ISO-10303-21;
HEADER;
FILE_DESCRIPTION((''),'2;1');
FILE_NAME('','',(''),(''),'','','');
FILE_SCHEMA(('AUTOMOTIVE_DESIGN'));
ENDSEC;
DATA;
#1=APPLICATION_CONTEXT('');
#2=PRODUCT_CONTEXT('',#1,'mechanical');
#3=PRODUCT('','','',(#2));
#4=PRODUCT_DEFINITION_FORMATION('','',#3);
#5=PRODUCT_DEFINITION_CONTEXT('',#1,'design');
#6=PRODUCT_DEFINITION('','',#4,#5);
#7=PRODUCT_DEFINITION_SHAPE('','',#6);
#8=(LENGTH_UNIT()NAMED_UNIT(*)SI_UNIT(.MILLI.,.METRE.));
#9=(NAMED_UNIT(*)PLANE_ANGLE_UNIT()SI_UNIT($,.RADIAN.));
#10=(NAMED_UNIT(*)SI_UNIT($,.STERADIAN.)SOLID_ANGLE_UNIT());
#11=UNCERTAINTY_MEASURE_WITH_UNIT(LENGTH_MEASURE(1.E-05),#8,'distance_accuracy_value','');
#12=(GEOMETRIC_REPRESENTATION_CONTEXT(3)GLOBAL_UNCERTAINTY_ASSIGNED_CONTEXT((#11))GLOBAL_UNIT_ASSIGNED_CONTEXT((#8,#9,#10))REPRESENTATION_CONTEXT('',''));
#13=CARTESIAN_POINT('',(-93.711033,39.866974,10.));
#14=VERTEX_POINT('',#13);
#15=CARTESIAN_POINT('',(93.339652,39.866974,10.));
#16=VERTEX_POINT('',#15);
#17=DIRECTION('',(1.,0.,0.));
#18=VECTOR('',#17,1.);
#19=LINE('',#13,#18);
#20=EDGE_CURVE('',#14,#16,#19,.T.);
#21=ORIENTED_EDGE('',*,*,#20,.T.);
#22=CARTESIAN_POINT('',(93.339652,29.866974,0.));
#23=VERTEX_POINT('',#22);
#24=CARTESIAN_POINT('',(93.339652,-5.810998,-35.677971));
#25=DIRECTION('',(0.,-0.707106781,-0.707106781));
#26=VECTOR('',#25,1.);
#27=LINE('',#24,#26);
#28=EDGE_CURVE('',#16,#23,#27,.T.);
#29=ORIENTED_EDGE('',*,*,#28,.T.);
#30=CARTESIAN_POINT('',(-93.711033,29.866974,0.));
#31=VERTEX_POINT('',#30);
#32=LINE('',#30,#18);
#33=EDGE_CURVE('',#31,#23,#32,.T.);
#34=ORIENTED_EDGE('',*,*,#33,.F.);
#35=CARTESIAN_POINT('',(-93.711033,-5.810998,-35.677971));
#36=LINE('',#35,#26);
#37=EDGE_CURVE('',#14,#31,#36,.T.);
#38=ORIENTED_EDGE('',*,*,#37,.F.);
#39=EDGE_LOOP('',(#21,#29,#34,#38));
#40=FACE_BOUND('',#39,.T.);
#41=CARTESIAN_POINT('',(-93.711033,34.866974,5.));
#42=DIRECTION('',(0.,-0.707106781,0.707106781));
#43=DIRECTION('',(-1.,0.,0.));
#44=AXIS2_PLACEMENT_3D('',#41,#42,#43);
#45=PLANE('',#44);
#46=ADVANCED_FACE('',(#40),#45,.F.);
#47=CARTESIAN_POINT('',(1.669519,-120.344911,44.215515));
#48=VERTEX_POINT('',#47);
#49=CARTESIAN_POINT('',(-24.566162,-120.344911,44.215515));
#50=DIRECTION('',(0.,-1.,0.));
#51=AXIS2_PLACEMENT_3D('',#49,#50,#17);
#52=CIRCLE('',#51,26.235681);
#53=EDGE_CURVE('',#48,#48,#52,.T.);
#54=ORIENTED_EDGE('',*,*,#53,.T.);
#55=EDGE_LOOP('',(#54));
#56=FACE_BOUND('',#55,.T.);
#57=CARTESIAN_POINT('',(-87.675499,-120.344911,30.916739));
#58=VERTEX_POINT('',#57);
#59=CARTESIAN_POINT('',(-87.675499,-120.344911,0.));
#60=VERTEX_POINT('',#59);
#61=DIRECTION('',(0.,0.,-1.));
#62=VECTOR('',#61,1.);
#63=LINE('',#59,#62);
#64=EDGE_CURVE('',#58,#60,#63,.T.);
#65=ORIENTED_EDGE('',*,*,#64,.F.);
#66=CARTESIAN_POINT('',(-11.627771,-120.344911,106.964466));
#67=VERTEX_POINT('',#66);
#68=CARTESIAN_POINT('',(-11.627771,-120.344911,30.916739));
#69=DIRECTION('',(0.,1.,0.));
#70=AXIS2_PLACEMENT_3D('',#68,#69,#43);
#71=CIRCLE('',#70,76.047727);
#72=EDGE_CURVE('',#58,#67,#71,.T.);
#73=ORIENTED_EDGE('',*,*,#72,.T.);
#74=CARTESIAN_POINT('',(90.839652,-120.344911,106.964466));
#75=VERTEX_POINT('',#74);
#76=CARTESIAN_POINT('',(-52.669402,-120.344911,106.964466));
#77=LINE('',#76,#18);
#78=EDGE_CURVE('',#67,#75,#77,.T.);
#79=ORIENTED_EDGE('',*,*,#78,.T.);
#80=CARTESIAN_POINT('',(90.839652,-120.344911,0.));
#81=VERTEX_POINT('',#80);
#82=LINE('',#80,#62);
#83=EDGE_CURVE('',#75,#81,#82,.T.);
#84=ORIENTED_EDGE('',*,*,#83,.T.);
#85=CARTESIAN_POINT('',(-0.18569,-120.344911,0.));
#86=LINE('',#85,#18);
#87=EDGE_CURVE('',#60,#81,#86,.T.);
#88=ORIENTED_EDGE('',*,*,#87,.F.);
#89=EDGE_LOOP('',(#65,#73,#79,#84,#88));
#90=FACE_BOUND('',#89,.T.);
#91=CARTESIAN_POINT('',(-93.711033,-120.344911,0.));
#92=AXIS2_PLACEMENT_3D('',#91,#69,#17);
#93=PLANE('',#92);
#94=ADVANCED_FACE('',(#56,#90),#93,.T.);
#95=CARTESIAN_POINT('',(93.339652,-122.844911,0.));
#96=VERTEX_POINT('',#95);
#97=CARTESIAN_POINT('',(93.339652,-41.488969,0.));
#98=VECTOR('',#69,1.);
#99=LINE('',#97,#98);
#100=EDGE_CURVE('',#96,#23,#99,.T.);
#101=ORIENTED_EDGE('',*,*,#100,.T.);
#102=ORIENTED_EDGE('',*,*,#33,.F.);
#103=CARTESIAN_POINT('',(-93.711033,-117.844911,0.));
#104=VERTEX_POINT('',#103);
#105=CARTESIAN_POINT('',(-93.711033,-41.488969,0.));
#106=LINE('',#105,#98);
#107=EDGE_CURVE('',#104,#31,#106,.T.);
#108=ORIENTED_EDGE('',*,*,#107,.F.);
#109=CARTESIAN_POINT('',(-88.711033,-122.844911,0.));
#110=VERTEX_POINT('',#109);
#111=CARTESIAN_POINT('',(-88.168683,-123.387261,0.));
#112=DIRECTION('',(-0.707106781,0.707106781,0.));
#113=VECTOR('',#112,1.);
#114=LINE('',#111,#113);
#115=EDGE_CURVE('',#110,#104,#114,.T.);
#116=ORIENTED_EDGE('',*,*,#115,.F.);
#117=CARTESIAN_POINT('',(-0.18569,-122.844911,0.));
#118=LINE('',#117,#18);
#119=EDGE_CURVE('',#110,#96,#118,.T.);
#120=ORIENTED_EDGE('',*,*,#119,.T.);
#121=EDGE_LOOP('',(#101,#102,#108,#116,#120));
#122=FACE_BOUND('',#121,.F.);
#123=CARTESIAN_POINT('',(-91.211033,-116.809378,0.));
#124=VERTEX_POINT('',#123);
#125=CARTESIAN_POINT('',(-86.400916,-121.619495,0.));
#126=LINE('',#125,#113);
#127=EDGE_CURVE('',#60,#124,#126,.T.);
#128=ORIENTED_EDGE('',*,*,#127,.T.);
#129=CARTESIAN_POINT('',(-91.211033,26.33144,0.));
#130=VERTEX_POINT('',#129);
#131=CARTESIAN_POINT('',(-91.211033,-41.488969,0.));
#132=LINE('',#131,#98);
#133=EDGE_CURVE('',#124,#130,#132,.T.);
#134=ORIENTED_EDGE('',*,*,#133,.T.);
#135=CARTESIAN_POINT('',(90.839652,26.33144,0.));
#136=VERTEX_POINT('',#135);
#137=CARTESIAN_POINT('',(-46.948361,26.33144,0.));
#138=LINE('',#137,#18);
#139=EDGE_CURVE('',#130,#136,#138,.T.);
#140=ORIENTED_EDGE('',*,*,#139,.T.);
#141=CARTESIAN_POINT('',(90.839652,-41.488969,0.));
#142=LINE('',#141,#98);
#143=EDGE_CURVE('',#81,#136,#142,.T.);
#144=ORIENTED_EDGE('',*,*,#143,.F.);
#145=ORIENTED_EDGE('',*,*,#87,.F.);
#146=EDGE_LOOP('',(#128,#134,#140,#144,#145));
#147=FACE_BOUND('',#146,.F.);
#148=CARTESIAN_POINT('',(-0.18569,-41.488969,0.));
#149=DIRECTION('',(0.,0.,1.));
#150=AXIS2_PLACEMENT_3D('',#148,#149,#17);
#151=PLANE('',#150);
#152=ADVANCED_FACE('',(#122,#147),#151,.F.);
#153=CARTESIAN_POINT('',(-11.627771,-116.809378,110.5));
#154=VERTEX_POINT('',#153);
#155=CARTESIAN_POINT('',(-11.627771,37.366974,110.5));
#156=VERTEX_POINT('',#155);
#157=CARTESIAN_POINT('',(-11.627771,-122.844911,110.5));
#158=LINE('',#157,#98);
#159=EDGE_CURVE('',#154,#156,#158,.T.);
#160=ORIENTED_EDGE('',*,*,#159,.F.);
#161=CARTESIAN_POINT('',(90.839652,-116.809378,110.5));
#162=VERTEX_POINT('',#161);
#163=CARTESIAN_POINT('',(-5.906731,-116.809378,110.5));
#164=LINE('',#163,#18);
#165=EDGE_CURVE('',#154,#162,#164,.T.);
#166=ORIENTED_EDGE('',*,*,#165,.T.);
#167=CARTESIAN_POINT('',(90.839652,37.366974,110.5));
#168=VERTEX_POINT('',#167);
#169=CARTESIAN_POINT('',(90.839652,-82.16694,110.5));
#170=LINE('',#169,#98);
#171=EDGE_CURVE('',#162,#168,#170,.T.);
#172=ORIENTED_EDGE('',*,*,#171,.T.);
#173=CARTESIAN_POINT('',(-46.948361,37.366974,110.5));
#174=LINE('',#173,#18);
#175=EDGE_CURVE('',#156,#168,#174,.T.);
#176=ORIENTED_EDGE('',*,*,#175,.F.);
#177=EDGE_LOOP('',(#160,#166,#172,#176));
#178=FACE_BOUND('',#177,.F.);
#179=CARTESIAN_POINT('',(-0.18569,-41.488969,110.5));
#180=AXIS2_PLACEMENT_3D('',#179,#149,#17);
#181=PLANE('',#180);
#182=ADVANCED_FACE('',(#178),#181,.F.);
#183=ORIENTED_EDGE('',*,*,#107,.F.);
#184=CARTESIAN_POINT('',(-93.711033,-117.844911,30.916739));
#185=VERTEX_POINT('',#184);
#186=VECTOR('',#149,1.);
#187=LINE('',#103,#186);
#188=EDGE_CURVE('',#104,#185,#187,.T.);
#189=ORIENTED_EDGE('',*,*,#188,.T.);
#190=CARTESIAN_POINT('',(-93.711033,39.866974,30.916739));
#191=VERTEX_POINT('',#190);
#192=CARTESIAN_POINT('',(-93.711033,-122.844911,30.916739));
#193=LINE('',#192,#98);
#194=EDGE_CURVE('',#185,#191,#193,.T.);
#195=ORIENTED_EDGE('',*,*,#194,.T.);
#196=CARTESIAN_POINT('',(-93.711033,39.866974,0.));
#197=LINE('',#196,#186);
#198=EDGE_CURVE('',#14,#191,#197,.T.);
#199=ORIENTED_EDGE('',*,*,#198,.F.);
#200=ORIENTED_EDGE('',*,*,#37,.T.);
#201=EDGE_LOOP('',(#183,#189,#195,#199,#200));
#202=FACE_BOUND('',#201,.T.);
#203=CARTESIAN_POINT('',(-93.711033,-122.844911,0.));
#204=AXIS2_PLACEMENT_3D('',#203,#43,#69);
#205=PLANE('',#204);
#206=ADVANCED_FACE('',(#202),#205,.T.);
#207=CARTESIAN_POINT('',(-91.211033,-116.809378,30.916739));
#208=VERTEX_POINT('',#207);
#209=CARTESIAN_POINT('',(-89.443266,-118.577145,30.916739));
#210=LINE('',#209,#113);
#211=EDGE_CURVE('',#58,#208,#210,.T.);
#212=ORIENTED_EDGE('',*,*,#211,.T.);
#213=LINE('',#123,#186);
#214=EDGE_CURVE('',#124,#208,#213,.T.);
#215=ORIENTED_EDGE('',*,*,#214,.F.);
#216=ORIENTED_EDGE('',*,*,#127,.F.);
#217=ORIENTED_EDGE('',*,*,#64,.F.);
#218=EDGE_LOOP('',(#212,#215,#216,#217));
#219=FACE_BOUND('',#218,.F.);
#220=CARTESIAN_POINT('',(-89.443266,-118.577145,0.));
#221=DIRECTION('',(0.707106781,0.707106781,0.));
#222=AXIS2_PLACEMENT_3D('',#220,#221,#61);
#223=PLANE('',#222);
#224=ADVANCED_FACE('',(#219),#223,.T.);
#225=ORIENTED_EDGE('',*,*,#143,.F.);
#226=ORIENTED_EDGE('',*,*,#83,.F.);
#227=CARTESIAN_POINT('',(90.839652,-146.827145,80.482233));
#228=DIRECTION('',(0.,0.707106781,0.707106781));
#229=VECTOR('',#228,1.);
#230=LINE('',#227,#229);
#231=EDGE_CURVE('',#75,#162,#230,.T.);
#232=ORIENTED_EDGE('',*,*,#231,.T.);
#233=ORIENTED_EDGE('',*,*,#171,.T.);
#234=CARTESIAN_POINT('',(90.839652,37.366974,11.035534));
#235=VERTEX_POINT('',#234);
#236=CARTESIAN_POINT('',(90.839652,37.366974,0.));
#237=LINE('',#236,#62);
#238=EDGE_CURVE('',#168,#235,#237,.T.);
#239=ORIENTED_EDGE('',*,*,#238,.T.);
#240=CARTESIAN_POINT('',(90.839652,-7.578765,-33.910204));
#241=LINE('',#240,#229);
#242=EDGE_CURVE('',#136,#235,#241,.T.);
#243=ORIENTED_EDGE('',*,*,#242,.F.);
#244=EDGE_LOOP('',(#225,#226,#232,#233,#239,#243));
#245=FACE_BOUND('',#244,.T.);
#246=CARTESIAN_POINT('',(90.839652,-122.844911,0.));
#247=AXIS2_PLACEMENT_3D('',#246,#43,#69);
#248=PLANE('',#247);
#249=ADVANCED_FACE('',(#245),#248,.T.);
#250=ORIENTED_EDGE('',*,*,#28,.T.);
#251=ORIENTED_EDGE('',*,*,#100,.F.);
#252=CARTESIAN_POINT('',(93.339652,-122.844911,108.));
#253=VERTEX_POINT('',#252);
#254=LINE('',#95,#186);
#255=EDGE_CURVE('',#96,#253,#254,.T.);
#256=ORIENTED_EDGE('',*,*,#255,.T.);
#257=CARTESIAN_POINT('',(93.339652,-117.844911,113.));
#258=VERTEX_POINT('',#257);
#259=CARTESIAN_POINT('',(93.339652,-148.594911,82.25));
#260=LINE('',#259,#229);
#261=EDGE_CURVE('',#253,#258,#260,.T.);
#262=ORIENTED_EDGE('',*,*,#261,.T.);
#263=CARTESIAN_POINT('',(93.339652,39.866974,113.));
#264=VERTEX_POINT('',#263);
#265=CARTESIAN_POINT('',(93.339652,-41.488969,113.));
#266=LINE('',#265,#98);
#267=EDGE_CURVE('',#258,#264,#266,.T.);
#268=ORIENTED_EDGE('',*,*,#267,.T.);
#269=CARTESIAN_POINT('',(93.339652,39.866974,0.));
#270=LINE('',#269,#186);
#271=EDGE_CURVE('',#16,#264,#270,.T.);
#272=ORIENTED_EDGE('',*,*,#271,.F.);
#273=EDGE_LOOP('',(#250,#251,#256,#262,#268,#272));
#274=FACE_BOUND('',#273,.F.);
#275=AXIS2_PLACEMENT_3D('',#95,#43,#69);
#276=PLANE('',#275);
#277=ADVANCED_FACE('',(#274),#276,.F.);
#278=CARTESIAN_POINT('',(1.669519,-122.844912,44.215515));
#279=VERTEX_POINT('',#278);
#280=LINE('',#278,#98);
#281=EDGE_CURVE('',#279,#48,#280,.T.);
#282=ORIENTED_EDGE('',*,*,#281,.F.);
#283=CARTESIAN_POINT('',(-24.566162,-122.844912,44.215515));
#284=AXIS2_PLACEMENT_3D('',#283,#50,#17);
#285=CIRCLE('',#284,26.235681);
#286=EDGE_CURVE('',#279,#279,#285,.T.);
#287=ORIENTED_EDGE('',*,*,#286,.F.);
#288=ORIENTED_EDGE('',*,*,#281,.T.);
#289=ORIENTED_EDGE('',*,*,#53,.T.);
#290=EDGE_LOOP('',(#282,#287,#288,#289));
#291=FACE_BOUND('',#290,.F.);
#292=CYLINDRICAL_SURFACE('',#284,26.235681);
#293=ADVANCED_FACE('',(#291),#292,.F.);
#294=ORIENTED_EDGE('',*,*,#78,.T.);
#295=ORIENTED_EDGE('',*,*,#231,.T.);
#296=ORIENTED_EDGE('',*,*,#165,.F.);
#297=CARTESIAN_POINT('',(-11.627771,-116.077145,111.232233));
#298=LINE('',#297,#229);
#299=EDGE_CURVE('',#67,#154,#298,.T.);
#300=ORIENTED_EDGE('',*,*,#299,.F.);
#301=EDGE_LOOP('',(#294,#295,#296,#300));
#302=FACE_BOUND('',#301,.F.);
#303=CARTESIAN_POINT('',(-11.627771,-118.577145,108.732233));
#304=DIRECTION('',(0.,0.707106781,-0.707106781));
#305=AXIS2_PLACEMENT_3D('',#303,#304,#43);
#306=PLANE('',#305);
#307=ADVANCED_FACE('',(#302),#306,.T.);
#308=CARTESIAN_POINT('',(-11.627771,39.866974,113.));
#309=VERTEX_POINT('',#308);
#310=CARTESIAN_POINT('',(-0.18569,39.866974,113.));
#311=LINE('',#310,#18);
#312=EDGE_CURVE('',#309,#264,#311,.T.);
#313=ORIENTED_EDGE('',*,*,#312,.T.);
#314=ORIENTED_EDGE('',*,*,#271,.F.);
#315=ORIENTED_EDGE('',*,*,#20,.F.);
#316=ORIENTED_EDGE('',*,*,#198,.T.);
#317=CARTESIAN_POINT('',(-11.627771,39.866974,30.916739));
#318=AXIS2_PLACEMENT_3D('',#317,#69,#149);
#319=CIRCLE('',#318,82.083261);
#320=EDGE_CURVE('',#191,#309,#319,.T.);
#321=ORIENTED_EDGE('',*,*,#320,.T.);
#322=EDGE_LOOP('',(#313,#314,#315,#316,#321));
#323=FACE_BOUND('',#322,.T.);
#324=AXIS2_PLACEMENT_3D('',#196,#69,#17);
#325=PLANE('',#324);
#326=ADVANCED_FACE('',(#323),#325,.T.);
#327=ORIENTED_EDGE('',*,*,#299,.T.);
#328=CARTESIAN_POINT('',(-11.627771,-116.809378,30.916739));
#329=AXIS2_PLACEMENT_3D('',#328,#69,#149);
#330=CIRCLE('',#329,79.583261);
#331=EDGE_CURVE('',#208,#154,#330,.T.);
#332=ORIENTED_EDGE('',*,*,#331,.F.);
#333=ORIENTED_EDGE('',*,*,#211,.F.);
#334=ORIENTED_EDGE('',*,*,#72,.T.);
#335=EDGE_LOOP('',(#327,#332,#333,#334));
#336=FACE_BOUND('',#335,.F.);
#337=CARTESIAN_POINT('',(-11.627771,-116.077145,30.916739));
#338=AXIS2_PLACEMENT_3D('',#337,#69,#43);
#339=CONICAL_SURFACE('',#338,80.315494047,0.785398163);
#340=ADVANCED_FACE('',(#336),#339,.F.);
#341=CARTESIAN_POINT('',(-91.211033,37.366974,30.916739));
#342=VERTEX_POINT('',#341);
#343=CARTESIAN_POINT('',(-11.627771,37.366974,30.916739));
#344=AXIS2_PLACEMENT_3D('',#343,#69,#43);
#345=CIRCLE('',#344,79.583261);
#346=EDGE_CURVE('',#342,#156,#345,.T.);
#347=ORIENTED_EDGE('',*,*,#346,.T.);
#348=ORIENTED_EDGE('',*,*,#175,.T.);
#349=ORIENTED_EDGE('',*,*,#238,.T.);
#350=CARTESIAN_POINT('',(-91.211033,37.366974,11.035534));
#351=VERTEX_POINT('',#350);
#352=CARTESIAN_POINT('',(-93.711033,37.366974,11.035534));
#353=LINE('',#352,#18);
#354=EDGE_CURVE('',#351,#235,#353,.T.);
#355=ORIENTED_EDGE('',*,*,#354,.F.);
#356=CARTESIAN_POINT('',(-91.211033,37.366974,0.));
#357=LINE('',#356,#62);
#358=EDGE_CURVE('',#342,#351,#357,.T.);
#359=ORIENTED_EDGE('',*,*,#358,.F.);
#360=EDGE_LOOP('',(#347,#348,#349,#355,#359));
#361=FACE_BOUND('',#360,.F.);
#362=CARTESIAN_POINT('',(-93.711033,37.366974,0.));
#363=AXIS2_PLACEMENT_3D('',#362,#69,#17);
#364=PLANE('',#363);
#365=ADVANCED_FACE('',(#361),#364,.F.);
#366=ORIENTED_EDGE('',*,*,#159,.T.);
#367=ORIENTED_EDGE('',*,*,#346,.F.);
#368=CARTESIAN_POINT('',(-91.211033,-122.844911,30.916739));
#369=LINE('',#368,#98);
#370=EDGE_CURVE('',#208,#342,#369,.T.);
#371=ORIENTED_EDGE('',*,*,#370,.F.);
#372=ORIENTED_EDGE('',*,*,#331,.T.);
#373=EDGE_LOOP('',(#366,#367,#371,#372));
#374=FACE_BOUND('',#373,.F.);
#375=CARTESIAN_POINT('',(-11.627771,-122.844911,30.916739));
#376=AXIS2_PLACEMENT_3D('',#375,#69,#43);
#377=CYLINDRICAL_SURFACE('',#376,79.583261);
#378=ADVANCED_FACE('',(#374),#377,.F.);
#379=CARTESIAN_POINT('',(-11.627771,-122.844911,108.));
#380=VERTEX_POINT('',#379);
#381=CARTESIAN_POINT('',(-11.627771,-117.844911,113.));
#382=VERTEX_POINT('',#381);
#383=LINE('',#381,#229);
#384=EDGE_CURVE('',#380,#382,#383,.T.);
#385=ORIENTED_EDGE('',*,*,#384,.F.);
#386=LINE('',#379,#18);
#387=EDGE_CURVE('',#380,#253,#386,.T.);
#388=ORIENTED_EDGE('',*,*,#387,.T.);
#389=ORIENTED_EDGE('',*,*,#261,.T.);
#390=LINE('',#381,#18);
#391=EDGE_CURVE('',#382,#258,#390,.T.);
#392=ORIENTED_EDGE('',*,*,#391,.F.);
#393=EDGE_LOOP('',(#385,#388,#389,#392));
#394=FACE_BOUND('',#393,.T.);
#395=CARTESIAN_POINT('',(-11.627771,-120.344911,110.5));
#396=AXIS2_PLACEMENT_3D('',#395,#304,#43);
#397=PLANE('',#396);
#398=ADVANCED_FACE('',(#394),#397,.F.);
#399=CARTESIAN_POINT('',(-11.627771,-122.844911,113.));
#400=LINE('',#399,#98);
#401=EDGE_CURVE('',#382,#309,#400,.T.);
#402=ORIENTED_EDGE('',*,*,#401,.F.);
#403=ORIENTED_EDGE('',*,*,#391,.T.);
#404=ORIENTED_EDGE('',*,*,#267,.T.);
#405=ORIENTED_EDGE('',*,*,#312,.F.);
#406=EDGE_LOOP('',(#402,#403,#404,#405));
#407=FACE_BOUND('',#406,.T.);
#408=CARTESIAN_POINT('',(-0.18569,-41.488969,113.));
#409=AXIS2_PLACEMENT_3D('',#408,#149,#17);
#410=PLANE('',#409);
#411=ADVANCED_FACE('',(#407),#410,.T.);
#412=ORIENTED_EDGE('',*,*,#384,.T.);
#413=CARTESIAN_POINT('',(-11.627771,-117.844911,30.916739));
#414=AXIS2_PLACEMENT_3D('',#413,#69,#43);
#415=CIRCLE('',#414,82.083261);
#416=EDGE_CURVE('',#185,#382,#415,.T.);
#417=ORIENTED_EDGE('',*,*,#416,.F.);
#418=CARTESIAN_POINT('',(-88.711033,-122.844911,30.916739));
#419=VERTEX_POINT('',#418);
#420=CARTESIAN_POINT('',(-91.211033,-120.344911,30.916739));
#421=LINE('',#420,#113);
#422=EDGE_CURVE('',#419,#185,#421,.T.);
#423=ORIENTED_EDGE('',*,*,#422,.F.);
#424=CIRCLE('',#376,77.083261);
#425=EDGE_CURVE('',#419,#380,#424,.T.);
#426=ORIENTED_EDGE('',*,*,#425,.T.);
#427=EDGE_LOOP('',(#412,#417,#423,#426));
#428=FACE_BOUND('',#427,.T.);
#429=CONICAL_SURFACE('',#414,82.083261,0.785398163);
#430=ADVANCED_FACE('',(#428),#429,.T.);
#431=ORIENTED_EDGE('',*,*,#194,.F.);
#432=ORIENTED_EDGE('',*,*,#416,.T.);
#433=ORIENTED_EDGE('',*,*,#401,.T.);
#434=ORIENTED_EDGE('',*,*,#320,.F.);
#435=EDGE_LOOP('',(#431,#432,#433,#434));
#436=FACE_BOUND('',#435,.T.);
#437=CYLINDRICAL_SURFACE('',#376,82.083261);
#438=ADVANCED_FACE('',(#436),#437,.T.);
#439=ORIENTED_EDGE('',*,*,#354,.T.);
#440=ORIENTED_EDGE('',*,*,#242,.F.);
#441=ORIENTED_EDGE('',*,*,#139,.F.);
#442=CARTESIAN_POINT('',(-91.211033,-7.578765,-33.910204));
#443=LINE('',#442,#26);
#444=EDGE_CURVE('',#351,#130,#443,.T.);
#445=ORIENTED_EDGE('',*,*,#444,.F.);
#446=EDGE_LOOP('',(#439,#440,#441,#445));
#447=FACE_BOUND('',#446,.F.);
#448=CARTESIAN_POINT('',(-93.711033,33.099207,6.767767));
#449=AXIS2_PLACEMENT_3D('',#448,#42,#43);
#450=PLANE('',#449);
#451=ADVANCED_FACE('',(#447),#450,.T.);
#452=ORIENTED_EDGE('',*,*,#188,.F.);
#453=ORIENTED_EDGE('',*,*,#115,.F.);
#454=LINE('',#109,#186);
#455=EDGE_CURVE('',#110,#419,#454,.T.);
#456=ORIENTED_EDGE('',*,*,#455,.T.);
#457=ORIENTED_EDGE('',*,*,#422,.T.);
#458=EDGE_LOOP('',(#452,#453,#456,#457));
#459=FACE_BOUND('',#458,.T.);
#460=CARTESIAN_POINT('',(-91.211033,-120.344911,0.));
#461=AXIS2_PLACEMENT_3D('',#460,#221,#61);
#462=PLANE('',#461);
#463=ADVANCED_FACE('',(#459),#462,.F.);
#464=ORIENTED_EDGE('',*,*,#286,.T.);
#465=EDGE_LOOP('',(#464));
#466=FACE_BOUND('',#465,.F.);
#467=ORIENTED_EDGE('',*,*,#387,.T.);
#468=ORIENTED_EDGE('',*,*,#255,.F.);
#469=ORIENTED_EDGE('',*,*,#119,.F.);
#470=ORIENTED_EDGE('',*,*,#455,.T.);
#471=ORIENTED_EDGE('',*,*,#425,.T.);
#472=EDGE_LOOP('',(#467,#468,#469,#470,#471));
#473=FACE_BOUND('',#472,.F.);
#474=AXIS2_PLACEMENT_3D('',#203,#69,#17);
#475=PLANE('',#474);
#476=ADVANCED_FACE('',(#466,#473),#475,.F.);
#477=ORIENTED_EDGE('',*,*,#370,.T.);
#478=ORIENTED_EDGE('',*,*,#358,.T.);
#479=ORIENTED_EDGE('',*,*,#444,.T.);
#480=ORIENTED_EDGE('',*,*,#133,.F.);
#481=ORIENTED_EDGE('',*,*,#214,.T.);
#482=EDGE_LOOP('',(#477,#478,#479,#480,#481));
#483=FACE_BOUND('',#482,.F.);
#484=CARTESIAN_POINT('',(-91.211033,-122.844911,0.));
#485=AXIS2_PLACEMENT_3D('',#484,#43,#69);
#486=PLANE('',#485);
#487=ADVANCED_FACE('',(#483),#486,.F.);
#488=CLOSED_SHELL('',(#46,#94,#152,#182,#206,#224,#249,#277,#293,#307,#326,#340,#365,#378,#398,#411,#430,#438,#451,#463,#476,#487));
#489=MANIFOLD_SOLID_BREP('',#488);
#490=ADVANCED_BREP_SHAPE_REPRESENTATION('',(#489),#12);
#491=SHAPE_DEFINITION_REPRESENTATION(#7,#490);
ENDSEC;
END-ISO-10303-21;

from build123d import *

# Parameters (mm, degrees)
F0_W     = 187.050685
F0_H     = 162.711885
F1_DEPTH = 113
F2_R     = 82.083261
F3_SIZE  = 5
F4_SIZE  = 10
F5_T     = -2.5
F6_R     = 26.235681
F7_DEPTH = 78


with BuildPart() as f1:
    # F0 (on Top) → F1 (new body)
    with BuildSketch(Plane.XY):
        with Locations((-0.18569, -41.488969)):
            Rectangle(F0_W, F0_H)
    extrude(amount=F1_DEPTH)

    # F2
    f2_edges = [f1.edges().sort_by_distance(p)[0] for p in [
        (-93.711033, -41.48897, 113),
    ]]
    fillet(f2_edges, radius=F2_R)

    # F3
    f3_edges = [f1.edges().sort_by_distance(p)[0] for p in [
        (40.85594, -122.844912, 113),
    ]]
    chamfer(f3_edges, length=F3_SIZE)

    # F4
    f4_edges = [f1.edges().sort_by_distance(p)[0] for p in [
        (-0.185691, 39.866973, 0),
    ]]
    chamfer(f4_edges, length=F4_SIZE)

    # F5
    f5_openings = [f1.faces().sort_by_distance(p)[0] for p in [
        (-0.145476, -46.456271, 0),
    ]]
    offset(amount=F5_T, openings=f5_openings)

    # F6 (on face) → F7 (cut)
    with BuildSketch(Plane.XZ.offset(122.844912)):
        with Locations((-24.566162, 44.215515)):
            Circle(F6_R)
    extrude(amount=-F7_DEPTH, mode=Mode.SUBTRACT)


solid = f1.part
